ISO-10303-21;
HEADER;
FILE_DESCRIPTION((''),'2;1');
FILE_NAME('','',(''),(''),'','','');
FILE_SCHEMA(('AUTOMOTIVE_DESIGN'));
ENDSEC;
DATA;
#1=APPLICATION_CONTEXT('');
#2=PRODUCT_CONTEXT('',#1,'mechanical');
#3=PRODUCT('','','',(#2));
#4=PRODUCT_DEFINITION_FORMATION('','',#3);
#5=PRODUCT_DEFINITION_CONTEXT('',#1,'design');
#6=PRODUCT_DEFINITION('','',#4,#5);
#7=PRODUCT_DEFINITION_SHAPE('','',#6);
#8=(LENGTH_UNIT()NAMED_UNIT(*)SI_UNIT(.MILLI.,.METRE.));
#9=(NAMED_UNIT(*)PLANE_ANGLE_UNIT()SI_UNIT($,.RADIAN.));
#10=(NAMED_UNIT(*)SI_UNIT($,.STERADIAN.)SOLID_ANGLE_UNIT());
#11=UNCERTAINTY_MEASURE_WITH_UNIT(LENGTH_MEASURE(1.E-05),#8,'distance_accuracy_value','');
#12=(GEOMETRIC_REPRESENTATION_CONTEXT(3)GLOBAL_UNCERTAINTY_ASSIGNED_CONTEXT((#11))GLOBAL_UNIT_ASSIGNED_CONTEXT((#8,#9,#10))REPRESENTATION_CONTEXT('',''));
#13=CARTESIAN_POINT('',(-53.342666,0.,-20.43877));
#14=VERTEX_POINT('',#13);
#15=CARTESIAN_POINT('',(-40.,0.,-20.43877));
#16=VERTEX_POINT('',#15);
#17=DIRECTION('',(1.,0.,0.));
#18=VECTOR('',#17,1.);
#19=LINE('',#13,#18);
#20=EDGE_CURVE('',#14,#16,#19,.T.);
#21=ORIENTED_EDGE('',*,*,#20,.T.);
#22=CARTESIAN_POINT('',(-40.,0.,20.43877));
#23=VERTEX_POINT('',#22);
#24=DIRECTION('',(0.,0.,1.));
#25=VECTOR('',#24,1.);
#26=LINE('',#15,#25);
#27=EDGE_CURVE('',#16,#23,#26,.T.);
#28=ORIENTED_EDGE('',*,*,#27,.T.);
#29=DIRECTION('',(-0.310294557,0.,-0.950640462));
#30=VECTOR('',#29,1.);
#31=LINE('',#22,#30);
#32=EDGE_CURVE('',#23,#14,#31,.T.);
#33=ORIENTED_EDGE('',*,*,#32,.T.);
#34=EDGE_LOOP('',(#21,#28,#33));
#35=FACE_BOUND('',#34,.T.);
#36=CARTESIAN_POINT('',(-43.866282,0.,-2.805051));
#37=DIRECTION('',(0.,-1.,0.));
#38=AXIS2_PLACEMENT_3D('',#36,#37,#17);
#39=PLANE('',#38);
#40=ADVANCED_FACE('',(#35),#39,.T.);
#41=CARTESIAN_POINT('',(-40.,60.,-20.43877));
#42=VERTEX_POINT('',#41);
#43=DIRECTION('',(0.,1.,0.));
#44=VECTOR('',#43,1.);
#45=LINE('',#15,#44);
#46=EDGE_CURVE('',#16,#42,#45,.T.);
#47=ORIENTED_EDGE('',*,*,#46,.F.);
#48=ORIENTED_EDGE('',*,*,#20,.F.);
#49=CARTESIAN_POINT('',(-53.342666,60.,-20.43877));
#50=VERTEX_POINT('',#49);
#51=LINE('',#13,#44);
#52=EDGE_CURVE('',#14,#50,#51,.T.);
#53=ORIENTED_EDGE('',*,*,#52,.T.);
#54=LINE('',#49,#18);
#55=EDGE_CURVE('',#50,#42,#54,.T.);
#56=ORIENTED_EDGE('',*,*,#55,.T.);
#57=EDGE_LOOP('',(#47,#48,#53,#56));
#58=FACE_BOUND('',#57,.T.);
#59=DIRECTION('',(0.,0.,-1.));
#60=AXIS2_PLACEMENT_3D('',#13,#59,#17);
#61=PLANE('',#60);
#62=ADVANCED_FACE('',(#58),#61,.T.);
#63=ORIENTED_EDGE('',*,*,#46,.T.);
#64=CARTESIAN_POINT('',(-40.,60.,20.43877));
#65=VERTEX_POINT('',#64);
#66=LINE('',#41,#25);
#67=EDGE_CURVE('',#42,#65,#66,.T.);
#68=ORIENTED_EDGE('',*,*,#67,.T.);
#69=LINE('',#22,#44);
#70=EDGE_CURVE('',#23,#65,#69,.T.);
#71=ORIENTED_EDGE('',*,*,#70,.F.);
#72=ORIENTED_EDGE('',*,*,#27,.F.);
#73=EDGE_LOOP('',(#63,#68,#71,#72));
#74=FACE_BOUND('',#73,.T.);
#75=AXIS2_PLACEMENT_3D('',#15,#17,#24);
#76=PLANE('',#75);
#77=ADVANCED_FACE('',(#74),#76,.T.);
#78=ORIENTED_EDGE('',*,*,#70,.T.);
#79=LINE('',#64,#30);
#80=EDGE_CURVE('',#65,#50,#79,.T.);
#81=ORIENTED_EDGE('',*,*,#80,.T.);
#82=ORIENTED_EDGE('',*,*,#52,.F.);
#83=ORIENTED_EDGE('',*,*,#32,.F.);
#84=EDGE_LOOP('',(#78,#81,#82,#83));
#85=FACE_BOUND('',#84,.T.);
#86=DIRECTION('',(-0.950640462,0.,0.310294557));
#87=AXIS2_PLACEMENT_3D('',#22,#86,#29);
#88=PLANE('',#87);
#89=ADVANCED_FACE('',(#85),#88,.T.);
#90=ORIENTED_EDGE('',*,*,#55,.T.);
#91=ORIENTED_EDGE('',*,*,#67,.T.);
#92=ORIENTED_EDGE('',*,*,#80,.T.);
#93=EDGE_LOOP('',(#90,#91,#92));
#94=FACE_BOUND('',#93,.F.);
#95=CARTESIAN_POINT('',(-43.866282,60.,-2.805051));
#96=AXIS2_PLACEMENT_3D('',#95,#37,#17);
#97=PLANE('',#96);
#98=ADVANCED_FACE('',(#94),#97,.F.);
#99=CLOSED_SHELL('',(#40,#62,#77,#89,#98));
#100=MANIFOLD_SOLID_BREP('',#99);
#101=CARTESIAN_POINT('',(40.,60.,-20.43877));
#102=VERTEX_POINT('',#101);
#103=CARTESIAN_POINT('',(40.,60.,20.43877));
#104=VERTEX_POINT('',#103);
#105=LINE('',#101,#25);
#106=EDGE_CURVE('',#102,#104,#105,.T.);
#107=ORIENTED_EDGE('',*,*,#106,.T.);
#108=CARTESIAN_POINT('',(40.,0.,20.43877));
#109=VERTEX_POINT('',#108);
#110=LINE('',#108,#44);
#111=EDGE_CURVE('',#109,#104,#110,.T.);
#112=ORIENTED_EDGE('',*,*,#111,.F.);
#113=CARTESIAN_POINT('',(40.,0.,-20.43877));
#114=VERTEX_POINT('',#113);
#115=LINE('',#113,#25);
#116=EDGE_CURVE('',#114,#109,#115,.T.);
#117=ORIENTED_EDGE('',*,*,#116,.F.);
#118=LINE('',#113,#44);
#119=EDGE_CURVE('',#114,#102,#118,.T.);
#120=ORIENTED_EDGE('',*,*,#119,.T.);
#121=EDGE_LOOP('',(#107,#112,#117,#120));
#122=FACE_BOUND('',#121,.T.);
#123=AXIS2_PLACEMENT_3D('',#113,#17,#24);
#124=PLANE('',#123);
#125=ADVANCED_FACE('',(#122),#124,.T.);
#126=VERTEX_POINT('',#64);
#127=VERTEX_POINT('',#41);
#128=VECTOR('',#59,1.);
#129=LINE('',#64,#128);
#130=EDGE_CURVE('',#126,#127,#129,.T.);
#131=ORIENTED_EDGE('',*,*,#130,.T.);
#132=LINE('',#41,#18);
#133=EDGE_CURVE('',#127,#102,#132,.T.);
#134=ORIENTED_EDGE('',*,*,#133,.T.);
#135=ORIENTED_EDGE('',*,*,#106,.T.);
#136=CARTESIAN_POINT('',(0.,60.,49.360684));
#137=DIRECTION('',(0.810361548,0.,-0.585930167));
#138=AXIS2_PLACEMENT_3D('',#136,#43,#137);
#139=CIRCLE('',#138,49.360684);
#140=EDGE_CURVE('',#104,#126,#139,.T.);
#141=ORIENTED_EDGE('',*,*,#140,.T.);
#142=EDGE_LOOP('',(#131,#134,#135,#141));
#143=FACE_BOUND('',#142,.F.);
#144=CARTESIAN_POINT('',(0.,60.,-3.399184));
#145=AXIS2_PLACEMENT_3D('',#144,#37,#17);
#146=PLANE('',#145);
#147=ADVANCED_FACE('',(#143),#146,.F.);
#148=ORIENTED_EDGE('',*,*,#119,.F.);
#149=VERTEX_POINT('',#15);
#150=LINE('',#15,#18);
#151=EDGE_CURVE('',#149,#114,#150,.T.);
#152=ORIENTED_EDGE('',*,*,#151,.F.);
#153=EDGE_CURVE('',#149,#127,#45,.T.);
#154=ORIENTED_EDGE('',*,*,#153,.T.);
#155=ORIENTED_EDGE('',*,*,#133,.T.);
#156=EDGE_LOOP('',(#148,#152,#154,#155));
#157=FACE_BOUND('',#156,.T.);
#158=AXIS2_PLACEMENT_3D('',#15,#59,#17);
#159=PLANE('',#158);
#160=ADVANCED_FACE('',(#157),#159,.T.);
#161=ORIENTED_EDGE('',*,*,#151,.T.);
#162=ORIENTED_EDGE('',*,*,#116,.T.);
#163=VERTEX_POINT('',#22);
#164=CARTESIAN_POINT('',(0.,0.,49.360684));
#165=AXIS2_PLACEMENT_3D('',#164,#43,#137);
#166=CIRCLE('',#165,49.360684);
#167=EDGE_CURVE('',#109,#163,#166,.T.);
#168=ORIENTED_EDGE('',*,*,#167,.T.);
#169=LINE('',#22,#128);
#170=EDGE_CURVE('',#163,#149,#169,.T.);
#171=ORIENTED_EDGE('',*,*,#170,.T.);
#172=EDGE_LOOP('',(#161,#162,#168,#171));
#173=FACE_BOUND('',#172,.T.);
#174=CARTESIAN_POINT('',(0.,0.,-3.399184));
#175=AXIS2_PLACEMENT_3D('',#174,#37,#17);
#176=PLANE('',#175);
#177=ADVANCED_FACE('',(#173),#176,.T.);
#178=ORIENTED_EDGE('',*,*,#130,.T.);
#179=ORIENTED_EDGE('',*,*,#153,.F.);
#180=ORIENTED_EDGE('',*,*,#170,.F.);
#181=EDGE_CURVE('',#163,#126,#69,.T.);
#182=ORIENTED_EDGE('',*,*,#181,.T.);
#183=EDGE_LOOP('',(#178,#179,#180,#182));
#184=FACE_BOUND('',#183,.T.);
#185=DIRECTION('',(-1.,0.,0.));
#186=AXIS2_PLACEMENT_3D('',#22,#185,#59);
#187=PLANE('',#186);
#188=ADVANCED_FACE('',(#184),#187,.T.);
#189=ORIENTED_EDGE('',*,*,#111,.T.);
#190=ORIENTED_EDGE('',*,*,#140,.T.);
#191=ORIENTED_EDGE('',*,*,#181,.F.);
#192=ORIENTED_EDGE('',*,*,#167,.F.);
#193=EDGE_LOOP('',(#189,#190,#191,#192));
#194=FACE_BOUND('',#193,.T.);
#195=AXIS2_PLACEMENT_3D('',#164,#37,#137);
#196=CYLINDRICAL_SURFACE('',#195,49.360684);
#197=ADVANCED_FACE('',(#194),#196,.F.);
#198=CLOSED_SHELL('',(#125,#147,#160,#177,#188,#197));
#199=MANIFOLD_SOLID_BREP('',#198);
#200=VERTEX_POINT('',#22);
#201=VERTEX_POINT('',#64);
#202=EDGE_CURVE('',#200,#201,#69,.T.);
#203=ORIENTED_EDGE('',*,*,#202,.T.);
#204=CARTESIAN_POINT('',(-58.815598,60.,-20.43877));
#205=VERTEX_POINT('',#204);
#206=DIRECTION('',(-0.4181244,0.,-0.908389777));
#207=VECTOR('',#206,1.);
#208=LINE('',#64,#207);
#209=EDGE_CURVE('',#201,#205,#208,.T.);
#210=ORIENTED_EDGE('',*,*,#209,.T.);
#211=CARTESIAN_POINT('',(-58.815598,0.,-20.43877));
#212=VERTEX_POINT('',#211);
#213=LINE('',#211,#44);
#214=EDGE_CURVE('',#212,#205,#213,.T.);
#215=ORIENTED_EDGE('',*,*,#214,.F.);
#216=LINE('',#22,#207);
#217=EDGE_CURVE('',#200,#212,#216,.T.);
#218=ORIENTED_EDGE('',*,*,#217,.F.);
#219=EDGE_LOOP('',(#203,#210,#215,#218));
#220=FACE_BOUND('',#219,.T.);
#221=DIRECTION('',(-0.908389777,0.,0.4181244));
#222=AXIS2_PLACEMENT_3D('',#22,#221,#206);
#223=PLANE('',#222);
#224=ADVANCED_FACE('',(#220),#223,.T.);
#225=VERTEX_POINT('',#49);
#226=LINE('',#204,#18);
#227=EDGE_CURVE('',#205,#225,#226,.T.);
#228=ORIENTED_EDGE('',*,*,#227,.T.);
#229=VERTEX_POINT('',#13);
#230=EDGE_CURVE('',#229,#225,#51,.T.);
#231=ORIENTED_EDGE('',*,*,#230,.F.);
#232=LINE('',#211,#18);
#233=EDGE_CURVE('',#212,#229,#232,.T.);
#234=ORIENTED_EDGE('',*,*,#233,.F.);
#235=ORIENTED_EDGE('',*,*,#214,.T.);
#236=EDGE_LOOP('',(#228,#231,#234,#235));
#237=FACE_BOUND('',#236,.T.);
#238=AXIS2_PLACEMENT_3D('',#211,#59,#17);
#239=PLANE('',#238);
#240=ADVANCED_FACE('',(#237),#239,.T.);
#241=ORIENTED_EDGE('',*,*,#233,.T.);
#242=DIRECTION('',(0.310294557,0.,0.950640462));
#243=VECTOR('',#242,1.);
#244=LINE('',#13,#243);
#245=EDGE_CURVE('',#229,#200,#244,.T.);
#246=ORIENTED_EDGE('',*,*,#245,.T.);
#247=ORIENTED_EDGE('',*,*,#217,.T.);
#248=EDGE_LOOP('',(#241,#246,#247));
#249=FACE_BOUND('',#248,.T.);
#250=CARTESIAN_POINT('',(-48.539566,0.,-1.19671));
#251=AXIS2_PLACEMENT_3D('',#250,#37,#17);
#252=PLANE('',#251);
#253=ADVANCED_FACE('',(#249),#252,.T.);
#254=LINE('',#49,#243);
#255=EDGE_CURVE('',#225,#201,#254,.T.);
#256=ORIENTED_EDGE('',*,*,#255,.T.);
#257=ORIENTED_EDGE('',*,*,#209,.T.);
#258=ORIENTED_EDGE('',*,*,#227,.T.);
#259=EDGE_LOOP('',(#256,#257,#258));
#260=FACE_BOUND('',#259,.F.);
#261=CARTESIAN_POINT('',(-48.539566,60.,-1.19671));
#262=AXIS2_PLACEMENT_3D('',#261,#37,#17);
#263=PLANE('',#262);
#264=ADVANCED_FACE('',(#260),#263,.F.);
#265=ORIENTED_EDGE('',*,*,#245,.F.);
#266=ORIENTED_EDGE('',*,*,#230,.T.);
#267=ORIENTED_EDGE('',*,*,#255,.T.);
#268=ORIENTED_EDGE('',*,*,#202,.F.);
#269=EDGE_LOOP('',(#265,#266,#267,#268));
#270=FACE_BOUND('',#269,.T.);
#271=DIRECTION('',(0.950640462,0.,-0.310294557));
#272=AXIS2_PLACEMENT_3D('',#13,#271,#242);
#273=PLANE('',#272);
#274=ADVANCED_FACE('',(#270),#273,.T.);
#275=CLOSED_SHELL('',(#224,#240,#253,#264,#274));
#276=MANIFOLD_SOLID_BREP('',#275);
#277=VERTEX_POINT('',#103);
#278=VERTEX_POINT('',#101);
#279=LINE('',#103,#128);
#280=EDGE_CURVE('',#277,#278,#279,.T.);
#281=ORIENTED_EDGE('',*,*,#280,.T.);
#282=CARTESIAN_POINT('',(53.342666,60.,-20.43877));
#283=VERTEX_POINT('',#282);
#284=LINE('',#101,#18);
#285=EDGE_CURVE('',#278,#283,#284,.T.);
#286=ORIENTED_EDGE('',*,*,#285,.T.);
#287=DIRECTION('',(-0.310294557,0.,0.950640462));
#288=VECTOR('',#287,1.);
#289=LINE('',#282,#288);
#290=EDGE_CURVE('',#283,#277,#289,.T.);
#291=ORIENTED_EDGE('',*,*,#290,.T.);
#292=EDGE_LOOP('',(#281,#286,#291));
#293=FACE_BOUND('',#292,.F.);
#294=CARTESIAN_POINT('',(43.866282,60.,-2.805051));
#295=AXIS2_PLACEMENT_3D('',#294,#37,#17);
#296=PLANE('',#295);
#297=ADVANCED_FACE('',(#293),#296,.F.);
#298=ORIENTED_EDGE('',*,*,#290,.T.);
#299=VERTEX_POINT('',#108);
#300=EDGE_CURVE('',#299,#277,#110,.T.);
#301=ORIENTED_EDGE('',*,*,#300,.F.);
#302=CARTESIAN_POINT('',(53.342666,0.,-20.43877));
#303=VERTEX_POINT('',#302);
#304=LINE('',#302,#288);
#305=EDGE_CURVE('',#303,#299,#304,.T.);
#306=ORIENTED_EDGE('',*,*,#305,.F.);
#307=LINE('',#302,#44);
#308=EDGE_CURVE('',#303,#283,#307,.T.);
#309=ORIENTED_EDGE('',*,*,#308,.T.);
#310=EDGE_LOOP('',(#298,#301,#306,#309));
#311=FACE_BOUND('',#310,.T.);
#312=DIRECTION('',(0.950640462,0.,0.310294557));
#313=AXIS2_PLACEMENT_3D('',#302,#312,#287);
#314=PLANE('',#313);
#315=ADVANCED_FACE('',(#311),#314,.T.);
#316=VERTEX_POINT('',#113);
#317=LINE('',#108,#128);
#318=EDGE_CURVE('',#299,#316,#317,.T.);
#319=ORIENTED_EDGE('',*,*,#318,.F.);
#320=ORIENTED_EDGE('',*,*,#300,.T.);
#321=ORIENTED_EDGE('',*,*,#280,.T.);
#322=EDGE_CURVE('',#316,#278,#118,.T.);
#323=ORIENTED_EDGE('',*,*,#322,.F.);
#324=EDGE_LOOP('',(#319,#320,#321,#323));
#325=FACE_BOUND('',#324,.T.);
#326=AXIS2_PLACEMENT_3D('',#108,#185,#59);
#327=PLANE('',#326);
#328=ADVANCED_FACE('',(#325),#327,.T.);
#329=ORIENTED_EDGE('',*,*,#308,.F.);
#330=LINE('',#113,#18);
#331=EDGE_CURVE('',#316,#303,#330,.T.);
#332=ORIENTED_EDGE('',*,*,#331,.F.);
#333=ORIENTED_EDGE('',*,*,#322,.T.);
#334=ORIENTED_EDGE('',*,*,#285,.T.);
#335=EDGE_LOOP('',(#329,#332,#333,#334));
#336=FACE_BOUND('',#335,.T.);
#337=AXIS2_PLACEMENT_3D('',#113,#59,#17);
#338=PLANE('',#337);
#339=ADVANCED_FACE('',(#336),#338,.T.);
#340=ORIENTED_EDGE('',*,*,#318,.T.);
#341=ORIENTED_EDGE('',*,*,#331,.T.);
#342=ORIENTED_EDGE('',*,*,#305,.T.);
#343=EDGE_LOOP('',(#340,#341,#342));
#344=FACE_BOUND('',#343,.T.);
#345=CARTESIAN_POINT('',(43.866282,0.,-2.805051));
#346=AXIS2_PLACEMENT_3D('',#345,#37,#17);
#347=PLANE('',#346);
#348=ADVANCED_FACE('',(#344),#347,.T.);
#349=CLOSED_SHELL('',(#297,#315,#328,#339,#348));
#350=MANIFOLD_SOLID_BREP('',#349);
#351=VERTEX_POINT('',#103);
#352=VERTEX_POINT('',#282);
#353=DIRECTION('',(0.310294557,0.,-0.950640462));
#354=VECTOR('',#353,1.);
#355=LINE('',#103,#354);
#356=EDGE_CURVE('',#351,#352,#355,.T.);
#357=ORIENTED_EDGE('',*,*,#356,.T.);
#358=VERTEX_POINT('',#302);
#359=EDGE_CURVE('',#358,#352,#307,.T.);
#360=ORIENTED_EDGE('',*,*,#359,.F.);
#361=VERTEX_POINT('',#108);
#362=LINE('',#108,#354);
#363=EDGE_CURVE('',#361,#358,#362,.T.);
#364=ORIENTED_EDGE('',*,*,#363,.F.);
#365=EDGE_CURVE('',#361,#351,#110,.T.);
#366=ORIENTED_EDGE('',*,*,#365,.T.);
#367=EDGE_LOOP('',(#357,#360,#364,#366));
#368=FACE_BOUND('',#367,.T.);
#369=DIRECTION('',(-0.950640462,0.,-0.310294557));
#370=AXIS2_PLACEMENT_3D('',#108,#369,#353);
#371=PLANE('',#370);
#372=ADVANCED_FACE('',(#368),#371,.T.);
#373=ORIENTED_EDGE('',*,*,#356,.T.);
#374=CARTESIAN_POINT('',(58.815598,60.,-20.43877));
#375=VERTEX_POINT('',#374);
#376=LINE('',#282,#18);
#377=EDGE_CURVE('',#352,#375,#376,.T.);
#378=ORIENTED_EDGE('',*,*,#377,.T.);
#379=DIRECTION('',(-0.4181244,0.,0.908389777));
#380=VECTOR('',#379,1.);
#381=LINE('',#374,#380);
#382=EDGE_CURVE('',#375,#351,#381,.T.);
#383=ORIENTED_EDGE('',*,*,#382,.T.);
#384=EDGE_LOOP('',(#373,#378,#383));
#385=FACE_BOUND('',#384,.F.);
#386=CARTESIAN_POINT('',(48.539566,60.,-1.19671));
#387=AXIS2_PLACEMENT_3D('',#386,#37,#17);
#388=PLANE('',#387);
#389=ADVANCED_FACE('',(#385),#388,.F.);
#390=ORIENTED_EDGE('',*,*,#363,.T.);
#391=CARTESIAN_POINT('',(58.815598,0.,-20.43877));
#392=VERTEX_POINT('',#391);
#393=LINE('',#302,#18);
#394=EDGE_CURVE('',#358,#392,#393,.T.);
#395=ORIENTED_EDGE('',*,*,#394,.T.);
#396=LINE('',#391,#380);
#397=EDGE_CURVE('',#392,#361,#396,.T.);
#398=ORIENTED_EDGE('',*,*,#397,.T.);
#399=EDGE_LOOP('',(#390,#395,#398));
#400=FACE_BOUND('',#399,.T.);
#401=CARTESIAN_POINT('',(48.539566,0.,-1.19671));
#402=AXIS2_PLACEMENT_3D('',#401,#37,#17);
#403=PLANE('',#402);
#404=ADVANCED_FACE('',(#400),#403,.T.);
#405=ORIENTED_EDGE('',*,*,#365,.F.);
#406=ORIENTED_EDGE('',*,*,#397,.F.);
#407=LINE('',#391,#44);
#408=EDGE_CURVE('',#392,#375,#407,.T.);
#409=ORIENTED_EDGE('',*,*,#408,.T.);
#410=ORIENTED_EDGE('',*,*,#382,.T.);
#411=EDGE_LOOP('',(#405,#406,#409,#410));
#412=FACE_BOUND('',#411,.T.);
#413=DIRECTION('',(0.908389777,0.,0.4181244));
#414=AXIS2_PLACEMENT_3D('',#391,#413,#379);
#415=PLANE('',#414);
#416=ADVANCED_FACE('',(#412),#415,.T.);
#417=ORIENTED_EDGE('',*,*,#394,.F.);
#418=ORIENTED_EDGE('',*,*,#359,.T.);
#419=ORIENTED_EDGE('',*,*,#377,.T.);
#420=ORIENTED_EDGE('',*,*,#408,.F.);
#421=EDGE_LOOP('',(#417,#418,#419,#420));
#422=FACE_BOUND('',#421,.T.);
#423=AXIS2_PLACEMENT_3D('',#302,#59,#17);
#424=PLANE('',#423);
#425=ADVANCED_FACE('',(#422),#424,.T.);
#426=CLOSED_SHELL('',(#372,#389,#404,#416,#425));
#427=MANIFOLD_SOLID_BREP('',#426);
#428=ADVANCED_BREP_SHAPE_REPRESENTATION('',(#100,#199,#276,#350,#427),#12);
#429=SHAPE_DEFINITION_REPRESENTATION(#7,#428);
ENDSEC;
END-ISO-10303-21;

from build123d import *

# Parameters (mm, degrees)
F1_DEPTH = 60
F2_DEPTH = 60
F3_DEPTH = 60


with BuildPart() as f1:
    # F0 (on Front) → F1 (new body)
    with BuildSketch(Plane.XZ):
        with BuildLine():
            Line((-40, -20.43877), (40, -20.43877))
            Line((40, -20.43877), (40, 20.43877))
            ThreePointArc((40, 20.43877), (0, 0), (-40, 20.43877))
            Line((-40, 20.43877), (-40, -20.43877))
        make_face()
    extrude(amount=-F1_DEPTH)


with BuildPart() as f2:
    # F0 (on Front) → F2 (new body)
    with BuildSketch(Plane.XZ):
        Polygon((-53.342666, -20.43877), (-40, 20.43877), (-58.815598, -20.43877), align=None)
        Polygon((58.815598, -20.43877), (40, 20.43877), (53.342666, -20.43877), align=None)
    extrude(amount=-F2_DEPTH)


with BuildPart() as f3:
    # F0 (on Front) → F3 (new body)
    with BuildSketch(Plane.XZ):
        Polygon((-53.342666, -20.43877), (-40, -20.43877), (-40, 20.43877), align=None)
        Polygon((40, 20.43877), (40, -20.43877), (53.342666, -20.43877), align=None)
    extrude(amount=-F3_DEPTH)


solid = Compound([f1.part, f2.part, f3.part])
